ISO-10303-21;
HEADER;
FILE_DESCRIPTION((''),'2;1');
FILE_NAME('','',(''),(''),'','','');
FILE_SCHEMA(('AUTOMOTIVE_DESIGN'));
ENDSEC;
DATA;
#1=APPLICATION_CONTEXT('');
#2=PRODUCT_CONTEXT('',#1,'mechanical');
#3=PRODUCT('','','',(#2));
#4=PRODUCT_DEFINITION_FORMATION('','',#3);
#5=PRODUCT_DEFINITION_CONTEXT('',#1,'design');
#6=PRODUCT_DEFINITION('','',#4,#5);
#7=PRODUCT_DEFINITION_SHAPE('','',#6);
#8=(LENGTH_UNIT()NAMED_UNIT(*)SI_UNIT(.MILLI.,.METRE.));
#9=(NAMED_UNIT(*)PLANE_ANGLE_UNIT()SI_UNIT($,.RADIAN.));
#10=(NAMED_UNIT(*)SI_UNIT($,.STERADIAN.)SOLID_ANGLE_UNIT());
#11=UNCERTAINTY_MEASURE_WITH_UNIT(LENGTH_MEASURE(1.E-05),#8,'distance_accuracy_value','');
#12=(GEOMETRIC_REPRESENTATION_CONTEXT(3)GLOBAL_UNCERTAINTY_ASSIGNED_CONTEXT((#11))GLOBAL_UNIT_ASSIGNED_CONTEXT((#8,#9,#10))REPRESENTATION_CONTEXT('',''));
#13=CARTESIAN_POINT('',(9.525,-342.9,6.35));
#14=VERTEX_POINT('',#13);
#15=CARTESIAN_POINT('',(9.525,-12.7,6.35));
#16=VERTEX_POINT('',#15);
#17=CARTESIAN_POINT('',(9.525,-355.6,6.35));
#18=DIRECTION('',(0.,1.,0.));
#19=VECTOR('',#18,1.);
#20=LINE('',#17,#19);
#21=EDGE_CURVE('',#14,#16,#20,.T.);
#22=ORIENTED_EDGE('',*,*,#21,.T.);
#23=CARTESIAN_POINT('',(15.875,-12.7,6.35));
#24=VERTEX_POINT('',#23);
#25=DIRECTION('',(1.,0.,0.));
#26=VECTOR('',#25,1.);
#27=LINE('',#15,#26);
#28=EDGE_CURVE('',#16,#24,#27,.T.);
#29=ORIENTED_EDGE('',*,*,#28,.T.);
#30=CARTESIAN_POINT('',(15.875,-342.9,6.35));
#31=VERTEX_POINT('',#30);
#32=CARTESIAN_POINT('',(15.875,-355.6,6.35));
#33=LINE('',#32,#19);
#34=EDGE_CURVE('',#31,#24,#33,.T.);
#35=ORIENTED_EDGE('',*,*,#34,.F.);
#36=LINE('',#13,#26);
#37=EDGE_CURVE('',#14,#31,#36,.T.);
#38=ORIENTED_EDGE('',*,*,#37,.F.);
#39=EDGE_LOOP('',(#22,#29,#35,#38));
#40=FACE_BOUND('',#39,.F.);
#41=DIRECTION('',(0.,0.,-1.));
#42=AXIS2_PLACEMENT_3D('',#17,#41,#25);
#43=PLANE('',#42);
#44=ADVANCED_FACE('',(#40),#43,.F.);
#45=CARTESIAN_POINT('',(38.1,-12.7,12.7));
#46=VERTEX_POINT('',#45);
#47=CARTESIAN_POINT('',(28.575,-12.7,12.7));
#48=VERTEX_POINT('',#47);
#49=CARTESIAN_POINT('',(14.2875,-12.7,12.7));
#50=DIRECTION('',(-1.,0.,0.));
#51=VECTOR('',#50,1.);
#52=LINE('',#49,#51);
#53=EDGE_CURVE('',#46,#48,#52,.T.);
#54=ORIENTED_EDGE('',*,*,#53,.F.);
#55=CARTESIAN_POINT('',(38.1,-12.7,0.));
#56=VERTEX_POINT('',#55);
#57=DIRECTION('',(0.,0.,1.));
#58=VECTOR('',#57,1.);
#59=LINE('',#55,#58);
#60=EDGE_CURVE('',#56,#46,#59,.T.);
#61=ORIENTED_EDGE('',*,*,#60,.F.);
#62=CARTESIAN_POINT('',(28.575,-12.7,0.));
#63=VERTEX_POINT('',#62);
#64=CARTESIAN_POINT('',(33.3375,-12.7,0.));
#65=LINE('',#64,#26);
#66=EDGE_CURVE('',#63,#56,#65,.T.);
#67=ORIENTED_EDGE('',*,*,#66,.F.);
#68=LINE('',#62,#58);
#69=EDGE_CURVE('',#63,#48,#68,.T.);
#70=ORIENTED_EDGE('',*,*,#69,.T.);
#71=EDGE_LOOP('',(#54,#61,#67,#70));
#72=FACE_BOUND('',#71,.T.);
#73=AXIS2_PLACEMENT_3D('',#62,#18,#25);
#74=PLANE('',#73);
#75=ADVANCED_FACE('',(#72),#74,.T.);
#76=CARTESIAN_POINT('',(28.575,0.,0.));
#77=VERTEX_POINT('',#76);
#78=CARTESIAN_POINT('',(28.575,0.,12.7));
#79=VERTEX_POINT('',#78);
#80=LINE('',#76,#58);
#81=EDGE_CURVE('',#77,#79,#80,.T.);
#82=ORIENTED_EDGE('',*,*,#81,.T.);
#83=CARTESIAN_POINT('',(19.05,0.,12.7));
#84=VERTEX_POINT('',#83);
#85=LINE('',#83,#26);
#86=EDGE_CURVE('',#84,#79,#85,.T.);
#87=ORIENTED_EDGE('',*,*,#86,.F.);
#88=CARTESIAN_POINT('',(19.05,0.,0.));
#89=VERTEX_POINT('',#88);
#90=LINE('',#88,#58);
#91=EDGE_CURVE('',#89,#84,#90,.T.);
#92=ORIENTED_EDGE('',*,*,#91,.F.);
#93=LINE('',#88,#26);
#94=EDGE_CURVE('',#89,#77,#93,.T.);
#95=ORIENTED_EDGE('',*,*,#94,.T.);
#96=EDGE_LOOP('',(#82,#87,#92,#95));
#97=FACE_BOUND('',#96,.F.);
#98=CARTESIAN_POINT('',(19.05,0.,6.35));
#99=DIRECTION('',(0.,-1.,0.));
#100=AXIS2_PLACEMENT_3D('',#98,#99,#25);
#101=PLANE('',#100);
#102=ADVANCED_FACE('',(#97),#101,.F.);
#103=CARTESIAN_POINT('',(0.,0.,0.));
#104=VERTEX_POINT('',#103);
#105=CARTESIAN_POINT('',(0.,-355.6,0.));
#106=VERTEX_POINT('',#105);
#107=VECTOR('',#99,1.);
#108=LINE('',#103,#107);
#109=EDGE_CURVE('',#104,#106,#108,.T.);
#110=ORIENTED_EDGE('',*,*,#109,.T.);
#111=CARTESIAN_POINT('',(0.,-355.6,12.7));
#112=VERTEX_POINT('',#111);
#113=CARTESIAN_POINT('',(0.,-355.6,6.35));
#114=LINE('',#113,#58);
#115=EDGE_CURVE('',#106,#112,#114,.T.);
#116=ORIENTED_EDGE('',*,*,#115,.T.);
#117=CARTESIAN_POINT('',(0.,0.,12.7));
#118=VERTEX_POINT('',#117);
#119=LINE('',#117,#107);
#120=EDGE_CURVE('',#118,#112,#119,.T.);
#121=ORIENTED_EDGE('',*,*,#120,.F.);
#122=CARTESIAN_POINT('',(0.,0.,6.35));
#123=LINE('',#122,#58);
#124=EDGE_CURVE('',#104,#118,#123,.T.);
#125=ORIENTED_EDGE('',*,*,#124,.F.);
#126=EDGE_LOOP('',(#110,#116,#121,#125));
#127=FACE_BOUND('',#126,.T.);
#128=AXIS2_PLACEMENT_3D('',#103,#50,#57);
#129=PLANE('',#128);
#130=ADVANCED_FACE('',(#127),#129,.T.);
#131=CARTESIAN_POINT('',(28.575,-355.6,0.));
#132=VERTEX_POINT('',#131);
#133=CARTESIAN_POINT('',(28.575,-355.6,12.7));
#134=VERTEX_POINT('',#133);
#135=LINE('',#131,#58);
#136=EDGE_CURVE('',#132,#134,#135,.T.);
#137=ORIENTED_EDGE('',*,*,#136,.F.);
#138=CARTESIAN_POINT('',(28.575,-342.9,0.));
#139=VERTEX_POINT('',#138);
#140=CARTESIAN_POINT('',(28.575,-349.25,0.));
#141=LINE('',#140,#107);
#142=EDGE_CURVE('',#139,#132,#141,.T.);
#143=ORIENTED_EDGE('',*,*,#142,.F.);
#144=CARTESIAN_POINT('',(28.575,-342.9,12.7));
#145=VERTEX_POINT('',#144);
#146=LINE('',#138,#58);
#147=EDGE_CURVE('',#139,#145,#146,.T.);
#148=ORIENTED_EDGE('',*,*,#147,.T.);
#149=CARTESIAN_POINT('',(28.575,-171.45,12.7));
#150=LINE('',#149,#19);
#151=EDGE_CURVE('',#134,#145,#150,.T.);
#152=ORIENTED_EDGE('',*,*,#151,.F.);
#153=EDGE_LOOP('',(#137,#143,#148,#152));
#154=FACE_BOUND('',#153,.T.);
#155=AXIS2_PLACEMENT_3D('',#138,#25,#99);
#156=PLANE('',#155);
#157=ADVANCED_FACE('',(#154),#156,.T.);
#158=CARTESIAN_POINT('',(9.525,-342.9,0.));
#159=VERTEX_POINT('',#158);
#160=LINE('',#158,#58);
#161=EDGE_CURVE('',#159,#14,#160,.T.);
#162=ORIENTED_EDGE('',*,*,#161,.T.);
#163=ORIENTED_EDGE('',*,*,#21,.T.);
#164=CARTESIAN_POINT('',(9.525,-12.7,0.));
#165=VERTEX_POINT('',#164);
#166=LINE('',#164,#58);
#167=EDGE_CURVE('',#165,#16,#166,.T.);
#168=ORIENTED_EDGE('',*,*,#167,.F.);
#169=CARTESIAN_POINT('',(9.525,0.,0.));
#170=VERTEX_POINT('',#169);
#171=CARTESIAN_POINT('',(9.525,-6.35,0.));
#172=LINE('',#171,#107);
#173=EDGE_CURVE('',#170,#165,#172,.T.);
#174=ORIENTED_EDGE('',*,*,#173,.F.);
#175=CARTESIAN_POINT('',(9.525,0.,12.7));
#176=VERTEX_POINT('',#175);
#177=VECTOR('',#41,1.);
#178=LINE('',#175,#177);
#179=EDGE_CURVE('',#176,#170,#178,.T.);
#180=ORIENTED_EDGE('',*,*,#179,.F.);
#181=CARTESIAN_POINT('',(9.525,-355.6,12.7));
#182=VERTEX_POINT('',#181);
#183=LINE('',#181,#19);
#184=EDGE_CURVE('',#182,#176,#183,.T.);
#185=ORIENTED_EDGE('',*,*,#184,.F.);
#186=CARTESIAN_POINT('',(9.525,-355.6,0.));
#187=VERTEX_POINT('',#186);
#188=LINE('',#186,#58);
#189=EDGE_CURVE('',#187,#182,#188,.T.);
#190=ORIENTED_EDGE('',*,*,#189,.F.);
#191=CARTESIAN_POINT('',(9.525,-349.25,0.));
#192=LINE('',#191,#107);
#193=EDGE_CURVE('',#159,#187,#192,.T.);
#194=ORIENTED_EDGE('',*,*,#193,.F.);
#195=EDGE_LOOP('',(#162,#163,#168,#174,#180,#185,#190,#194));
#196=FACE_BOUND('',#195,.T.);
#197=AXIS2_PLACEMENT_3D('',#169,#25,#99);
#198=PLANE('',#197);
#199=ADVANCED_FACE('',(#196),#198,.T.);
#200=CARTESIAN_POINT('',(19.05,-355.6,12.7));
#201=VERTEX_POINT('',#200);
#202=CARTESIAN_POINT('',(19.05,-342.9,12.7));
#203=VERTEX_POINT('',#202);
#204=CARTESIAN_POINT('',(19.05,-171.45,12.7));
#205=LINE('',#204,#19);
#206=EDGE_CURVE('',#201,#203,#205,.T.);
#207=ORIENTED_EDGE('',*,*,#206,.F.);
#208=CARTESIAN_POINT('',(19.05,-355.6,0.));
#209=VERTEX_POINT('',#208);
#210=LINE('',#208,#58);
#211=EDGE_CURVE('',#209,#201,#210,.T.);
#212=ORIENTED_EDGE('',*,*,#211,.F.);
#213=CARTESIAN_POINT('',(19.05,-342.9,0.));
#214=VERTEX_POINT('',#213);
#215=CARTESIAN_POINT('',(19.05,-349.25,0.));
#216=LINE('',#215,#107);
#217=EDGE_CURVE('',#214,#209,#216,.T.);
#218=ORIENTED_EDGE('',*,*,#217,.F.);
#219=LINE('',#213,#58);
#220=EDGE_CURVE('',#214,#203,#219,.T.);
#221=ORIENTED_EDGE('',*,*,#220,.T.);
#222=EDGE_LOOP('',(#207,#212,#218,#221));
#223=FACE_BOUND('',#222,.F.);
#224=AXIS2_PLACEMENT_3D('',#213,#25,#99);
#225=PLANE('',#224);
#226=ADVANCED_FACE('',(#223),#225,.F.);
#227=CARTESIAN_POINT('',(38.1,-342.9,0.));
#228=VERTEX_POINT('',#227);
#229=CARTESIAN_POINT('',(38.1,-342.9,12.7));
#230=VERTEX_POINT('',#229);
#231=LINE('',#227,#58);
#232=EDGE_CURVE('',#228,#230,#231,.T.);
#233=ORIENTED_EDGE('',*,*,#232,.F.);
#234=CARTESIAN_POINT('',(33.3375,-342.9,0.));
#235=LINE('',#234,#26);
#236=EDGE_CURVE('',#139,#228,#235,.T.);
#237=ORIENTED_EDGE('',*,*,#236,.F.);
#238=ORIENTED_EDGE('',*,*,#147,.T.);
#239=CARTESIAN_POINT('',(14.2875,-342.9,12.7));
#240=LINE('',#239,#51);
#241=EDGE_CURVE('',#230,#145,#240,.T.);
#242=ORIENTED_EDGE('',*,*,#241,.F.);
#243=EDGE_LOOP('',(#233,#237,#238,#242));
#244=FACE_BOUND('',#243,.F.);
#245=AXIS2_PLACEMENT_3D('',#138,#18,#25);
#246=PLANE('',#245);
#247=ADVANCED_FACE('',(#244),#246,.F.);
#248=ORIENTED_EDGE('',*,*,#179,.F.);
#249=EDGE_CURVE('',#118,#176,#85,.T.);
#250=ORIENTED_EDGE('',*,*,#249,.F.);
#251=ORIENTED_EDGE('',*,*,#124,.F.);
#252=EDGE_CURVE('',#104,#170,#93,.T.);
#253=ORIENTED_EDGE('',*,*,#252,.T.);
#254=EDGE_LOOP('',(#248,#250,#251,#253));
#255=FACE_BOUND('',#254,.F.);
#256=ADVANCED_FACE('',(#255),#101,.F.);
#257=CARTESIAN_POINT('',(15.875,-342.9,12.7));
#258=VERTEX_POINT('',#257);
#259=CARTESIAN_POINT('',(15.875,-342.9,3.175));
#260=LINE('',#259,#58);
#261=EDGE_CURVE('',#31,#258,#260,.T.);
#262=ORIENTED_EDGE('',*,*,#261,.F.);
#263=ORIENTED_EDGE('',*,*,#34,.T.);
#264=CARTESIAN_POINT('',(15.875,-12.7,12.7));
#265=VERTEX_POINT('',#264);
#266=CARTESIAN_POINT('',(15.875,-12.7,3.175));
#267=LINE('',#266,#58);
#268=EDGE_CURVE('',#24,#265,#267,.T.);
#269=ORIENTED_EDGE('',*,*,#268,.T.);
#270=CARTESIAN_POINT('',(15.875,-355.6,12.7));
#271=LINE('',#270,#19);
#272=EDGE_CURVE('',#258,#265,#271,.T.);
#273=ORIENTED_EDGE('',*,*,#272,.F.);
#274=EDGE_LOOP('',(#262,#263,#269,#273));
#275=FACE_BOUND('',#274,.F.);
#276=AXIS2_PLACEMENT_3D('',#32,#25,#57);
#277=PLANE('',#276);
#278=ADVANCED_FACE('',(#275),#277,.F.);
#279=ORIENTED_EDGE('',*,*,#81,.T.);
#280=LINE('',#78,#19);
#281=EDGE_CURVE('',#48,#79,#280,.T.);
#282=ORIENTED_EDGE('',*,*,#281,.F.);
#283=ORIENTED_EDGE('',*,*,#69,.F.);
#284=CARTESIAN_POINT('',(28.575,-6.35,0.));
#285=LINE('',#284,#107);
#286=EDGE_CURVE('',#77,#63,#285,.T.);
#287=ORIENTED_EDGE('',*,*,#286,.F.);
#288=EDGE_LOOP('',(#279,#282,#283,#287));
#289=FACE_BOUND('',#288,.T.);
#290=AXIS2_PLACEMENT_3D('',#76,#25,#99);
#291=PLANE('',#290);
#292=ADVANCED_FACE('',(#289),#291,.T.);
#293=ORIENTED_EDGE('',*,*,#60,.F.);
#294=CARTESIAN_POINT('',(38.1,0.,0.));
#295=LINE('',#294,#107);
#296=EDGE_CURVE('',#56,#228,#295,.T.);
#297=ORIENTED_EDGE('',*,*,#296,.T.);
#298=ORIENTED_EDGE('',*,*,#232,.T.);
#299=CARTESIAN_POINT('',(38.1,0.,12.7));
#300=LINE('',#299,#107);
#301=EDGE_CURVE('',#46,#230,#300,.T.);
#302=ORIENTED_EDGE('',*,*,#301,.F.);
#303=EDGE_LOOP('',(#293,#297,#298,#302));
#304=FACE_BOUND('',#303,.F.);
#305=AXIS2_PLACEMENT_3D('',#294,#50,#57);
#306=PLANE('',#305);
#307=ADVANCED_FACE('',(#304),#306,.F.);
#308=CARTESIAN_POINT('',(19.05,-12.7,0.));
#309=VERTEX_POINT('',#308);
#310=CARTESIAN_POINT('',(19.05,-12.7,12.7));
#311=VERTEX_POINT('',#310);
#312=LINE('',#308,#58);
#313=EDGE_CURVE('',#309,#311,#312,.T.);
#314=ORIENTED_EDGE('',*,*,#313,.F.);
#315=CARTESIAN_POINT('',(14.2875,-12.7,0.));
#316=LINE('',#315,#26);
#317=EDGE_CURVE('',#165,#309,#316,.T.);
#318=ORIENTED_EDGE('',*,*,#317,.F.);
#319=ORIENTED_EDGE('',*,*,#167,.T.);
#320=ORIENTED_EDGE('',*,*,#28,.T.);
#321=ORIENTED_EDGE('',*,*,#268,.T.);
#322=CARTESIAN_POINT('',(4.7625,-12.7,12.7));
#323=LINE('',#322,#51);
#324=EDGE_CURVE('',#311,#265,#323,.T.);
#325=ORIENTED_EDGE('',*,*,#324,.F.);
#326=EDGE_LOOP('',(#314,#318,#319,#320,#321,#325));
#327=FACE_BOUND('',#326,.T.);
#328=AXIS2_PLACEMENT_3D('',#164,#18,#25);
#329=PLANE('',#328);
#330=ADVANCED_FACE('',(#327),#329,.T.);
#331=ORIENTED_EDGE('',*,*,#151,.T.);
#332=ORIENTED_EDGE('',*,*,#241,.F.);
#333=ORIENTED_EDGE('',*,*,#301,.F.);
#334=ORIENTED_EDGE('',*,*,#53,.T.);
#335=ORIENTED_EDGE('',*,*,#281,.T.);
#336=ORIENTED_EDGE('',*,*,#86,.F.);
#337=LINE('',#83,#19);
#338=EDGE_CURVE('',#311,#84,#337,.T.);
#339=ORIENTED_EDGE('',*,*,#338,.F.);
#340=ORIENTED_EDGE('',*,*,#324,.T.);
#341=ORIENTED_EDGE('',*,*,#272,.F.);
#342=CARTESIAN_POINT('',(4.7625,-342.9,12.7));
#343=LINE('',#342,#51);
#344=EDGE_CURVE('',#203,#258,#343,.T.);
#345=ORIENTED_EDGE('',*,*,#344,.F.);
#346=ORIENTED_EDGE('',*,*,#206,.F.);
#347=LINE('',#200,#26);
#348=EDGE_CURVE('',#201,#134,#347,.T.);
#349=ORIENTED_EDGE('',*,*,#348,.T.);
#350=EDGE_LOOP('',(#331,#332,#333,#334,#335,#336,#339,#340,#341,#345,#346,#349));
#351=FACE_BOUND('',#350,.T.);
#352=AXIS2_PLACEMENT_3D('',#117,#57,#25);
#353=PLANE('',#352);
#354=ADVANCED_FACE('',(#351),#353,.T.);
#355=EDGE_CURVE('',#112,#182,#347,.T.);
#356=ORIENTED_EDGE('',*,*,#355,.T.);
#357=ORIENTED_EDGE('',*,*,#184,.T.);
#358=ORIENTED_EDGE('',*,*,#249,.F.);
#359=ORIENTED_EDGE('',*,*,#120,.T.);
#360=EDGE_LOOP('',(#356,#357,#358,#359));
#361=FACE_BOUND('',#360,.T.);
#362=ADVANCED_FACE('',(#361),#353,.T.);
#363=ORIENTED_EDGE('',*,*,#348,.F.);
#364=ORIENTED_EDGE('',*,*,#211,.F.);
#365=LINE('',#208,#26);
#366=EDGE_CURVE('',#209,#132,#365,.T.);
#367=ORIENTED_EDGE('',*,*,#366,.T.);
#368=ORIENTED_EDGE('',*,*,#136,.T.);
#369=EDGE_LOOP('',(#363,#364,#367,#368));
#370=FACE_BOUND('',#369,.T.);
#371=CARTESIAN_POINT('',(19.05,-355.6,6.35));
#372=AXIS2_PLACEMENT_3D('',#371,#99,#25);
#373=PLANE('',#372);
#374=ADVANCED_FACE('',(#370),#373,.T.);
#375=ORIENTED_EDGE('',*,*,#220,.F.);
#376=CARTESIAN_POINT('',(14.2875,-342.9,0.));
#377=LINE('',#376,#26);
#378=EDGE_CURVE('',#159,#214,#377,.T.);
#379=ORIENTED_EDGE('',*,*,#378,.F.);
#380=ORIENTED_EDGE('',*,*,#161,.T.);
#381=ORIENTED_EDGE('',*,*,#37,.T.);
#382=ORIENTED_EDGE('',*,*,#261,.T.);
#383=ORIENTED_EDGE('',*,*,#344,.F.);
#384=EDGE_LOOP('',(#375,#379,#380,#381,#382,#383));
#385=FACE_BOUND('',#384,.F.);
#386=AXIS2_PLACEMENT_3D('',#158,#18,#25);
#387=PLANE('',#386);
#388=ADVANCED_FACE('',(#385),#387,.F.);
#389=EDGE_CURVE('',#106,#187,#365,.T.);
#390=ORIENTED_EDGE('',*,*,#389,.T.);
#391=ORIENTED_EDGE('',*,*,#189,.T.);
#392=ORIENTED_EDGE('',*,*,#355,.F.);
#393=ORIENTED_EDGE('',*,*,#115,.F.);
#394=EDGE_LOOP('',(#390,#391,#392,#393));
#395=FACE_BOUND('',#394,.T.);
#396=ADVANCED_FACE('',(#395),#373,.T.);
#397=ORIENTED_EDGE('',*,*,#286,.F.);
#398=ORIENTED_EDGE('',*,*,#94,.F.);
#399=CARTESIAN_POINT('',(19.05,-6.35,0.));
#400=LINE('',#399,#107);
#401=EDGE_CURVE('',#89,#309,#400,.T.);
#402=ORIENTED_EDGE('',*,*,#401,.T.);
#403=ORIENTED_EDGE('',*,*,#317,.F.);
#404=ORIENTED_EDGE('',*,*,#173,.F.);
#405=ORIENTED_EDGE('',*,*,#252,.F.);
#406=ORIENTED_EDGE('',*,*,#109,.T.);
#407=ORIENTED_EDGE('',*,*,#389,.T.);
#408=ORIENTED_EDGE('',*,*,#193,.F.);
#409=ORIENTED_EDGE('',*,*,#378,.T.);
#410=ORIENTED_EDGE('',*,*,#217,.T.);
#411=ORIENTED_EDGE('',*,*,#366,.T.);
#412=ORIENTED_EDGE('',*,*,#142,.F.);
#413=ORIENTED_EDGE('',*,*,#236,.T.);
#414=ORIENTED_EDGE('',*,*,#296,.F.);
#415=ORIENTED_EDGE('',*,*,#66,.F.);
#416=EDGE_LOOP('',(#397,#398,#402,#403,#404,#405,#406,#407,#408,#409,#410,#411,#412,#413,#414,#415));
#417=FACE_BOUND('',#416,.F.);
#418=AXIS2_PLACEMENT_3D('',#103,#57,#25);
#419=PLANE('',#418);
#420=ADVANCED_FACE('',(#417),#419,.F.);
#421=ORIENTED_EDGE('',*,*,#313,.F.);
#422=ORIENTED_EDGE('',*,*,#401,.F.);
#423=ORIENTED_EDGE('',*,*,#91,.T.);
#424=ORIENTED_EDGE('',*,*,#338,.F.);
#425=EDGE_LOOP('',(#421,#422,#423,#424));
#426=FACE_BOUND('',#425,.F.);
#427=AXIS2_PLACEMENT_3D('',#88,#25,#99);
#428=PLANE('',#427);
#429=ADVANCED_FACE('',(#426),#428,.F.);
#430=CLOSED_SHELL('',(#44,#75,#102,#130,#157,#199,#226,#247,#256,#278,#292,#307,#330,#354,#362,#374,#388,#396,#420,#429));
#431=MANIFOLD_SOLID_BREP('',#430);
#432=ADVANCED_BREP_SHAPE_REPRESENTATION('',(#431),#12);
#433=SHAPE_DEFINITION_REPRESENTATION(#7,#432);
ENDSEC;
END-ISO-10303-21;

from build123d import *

# Parameters (mm, degrees)
F0_W     = 38.1
F0_H     = 12.7
F1_DEPTH = 355.6
F2_W     = 6.35
F2_H     = 6.35
F3_DEPTH = 355.601
F4_W     = 9.525
F4_H     = 12.7
F5_DEPTH = 12.701


with BuildPart() as f1:
    # F0 (on Front) → F1 (new body)
    with BuildSketch(Plane.XZ):
        with Locations((19.05, 6.35)):
            Rectangle(F0_W, F0_H)
    extrude(amount=F1_DEPTH)

    # F2 (on face) → F3 (cut, through all)
    with BuildSketch(Plane.XZ.offset(355.6)):
        with Locations((12.7, 9.525)):
            Rectangle(F2_W, F2_H)
    extrude(amount=-F3_DEPTH, mode=Mode.SUBTRACT)

    # F4 (on face) → F5 (cut, through all)
    with BuildSketch(Plane(origin=(0, 0, 0), x_dir=(1, 0, 0), z_dir=(0, 0, -1))):
        with Locations((33.3375, 349.25)):
            Rectangle(F4_W, F4_H)
        with Locations((14.2875, 349.25)):
            Rectangle(F4_W, F4_H)
        with Locations((33.3375, 6.35)):
            Rectangle(F4_W, F4_H)
        with Locations((14.2875, 6.35)):
            Rectangle(F4_W, F4_H)
    extrude(amount=-F5_DEPTH, mode=Mode.SUBTRACT)


solid = f1.part
